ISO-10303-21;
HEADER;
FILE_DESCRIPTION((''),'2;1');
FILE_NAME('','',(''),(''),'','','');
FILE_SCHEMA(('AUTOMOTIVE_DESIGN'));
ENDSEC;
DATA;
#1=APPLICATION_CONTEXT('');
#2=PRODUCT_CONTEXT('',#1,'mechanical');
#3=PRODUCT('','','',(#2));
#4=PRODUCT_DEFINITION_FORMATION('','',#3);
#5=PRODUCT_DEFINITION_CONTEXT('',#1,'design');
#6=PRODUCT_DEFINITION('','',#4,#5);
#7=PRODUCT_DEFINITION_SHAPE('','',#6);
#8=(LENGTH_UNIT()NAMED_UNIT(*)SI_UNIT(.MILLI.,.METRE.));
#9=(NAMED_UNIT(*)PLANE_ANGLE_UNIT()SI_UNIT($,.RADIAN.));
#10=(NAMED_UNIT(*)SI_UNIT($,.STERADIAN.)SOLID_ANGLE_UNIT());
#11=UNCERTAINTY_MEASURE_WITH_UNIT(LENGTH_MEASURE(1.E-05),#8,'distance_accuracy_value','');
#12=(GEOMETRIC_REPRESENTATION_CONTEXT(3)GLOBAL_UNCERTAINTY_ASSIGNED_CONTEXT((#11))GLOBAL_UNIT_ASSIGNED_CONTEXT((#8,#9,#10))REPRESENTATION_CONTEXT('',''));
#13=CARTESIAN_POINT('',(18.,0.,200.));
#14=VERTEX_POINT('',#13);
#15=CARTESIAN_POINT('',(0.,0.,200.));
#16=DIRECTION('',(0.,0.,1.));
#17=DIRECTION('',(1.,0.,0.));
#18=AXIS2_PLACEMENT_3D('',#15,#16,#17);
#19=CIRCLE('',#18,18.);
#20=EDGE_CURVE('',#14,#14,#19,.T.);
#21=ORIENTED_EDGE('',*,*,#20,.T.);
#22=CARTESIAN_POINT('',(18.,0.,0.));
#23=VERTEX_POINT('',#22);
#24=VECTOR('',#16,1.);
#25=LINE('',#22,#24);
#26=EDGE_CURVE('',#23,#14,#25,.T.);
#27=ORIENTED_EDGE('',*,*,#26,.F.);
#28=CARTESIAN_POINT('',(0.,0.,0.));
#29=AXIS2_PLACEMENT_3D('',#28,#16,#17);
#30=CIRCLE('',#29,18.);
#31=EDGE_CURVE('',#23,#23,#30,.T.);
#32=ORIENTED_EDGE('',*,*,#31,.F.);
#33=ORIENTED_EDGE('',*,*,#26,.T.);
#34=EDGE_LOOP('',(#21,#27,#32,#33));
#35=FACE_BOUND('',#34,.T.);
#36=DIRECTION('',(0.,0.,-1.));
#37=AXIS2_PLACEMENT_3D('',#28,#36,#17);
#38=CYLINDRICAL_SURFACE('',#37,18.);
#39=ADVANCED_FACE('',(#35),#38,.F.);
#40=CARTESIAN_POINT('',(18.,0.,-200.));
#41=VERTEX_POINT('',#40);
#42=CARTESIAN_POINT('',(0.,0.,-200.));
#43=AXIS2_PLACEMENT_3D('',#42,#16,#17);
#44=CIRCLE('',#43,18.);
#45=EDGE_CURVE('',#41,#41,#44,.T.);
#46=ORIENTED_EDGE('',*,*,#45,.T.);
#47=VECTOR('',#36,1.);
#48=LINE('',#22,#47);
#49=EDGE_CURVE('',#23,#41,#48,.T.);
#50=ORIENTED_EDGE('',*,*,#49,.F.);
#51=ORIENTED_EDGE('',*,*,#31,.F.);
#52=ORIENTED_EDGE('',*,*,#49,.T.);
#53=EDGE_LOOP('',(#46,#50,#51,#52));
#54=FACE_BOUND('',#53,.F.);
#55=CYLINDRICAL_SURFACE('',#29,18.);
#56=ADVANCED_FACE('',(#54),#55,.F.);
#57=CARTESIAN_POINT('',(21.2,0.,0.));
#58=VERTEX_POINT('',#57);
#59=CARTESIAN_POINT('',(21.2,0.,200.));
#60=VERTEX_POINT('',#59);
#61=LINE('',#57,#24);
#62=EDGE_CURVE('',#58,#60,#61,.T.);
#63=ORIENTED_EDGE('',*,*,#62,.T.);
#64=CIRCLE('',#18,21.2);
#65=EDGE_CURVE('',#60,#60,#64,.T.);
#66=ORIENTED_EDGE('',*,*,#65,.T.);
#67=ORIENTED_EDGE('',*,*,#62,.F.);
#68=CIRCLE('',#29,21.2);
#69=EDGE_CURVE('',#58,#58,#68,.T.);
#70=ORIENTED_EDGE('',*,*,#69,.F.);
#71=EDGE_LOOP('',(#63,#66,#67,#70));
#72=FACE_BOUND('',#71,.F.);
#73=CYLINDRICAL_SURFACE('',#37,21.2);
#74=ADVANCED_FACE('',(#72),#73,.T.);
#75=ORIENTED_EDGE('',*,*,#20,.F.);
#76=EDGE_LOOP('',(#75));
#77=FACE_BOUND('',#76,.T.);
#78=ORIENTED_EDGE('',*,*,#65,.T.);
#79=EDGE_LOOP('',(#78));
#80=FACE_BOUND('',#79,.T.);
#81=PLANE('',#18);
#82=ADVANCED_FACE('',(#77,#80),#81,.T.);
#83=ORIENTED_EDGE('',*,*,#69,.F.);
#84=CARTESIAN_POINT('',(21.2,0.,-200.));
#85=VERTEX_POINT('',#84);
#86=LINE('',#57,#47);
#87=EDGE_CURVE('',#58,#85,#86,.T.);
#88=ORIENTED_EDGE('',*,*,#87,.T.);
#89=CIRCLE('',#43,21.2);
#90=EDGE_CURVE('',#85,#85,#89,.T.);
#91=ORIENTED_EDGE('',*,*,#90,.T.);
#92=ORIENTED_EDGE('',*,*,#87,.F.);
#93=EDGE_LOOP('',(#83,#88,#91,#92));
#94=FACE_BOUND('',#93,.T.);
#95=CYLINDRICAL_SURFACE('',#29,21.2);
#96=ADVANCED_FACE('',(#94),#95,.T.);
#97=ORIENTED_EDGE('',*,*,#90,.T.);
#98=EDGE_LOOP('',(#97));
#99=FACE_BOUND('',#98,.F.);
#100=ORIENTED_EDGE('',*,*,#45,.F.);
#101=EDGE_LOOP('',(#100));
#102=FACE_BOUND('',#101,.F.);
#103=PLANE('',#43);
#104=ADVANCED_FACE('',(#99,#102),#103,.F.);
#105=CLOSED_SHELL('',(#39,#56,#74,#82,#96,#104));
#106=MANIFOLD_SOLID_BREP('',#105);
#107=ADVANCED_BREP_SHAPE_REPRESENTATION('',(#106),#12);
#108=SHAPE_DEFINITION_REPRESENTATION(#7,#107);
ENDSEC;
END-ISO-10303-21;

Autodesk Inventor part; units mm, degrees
ref_plane "YZ Plane" through (0, 0, 0) normal (1, 0, 0) x (0, 1, 0)
ref_plane "XZ Plane" through (0, 0, 0) normal (0, 1, 0) x (-1, 0, 0)
ref_plane "XY Plane" through (0, 0, 0) normal (0, 0, 1) x (1, 0, 0)
sketch "Sketch1" plane through (0, 0, 0) normal (0, 0, 1) x (1, 0, 0)
  circle A0 centre (0, 0) radius 21.2
  circle A1 centre (0, 0) radius 18
  dimension "OD" = 42.2
  dimension "t" = 3.56
extrude "Extrusion1" add sketch "Sketch1" along normal mid plane 400
equation "\"size\" = 7"
properties part number "tube-05"
